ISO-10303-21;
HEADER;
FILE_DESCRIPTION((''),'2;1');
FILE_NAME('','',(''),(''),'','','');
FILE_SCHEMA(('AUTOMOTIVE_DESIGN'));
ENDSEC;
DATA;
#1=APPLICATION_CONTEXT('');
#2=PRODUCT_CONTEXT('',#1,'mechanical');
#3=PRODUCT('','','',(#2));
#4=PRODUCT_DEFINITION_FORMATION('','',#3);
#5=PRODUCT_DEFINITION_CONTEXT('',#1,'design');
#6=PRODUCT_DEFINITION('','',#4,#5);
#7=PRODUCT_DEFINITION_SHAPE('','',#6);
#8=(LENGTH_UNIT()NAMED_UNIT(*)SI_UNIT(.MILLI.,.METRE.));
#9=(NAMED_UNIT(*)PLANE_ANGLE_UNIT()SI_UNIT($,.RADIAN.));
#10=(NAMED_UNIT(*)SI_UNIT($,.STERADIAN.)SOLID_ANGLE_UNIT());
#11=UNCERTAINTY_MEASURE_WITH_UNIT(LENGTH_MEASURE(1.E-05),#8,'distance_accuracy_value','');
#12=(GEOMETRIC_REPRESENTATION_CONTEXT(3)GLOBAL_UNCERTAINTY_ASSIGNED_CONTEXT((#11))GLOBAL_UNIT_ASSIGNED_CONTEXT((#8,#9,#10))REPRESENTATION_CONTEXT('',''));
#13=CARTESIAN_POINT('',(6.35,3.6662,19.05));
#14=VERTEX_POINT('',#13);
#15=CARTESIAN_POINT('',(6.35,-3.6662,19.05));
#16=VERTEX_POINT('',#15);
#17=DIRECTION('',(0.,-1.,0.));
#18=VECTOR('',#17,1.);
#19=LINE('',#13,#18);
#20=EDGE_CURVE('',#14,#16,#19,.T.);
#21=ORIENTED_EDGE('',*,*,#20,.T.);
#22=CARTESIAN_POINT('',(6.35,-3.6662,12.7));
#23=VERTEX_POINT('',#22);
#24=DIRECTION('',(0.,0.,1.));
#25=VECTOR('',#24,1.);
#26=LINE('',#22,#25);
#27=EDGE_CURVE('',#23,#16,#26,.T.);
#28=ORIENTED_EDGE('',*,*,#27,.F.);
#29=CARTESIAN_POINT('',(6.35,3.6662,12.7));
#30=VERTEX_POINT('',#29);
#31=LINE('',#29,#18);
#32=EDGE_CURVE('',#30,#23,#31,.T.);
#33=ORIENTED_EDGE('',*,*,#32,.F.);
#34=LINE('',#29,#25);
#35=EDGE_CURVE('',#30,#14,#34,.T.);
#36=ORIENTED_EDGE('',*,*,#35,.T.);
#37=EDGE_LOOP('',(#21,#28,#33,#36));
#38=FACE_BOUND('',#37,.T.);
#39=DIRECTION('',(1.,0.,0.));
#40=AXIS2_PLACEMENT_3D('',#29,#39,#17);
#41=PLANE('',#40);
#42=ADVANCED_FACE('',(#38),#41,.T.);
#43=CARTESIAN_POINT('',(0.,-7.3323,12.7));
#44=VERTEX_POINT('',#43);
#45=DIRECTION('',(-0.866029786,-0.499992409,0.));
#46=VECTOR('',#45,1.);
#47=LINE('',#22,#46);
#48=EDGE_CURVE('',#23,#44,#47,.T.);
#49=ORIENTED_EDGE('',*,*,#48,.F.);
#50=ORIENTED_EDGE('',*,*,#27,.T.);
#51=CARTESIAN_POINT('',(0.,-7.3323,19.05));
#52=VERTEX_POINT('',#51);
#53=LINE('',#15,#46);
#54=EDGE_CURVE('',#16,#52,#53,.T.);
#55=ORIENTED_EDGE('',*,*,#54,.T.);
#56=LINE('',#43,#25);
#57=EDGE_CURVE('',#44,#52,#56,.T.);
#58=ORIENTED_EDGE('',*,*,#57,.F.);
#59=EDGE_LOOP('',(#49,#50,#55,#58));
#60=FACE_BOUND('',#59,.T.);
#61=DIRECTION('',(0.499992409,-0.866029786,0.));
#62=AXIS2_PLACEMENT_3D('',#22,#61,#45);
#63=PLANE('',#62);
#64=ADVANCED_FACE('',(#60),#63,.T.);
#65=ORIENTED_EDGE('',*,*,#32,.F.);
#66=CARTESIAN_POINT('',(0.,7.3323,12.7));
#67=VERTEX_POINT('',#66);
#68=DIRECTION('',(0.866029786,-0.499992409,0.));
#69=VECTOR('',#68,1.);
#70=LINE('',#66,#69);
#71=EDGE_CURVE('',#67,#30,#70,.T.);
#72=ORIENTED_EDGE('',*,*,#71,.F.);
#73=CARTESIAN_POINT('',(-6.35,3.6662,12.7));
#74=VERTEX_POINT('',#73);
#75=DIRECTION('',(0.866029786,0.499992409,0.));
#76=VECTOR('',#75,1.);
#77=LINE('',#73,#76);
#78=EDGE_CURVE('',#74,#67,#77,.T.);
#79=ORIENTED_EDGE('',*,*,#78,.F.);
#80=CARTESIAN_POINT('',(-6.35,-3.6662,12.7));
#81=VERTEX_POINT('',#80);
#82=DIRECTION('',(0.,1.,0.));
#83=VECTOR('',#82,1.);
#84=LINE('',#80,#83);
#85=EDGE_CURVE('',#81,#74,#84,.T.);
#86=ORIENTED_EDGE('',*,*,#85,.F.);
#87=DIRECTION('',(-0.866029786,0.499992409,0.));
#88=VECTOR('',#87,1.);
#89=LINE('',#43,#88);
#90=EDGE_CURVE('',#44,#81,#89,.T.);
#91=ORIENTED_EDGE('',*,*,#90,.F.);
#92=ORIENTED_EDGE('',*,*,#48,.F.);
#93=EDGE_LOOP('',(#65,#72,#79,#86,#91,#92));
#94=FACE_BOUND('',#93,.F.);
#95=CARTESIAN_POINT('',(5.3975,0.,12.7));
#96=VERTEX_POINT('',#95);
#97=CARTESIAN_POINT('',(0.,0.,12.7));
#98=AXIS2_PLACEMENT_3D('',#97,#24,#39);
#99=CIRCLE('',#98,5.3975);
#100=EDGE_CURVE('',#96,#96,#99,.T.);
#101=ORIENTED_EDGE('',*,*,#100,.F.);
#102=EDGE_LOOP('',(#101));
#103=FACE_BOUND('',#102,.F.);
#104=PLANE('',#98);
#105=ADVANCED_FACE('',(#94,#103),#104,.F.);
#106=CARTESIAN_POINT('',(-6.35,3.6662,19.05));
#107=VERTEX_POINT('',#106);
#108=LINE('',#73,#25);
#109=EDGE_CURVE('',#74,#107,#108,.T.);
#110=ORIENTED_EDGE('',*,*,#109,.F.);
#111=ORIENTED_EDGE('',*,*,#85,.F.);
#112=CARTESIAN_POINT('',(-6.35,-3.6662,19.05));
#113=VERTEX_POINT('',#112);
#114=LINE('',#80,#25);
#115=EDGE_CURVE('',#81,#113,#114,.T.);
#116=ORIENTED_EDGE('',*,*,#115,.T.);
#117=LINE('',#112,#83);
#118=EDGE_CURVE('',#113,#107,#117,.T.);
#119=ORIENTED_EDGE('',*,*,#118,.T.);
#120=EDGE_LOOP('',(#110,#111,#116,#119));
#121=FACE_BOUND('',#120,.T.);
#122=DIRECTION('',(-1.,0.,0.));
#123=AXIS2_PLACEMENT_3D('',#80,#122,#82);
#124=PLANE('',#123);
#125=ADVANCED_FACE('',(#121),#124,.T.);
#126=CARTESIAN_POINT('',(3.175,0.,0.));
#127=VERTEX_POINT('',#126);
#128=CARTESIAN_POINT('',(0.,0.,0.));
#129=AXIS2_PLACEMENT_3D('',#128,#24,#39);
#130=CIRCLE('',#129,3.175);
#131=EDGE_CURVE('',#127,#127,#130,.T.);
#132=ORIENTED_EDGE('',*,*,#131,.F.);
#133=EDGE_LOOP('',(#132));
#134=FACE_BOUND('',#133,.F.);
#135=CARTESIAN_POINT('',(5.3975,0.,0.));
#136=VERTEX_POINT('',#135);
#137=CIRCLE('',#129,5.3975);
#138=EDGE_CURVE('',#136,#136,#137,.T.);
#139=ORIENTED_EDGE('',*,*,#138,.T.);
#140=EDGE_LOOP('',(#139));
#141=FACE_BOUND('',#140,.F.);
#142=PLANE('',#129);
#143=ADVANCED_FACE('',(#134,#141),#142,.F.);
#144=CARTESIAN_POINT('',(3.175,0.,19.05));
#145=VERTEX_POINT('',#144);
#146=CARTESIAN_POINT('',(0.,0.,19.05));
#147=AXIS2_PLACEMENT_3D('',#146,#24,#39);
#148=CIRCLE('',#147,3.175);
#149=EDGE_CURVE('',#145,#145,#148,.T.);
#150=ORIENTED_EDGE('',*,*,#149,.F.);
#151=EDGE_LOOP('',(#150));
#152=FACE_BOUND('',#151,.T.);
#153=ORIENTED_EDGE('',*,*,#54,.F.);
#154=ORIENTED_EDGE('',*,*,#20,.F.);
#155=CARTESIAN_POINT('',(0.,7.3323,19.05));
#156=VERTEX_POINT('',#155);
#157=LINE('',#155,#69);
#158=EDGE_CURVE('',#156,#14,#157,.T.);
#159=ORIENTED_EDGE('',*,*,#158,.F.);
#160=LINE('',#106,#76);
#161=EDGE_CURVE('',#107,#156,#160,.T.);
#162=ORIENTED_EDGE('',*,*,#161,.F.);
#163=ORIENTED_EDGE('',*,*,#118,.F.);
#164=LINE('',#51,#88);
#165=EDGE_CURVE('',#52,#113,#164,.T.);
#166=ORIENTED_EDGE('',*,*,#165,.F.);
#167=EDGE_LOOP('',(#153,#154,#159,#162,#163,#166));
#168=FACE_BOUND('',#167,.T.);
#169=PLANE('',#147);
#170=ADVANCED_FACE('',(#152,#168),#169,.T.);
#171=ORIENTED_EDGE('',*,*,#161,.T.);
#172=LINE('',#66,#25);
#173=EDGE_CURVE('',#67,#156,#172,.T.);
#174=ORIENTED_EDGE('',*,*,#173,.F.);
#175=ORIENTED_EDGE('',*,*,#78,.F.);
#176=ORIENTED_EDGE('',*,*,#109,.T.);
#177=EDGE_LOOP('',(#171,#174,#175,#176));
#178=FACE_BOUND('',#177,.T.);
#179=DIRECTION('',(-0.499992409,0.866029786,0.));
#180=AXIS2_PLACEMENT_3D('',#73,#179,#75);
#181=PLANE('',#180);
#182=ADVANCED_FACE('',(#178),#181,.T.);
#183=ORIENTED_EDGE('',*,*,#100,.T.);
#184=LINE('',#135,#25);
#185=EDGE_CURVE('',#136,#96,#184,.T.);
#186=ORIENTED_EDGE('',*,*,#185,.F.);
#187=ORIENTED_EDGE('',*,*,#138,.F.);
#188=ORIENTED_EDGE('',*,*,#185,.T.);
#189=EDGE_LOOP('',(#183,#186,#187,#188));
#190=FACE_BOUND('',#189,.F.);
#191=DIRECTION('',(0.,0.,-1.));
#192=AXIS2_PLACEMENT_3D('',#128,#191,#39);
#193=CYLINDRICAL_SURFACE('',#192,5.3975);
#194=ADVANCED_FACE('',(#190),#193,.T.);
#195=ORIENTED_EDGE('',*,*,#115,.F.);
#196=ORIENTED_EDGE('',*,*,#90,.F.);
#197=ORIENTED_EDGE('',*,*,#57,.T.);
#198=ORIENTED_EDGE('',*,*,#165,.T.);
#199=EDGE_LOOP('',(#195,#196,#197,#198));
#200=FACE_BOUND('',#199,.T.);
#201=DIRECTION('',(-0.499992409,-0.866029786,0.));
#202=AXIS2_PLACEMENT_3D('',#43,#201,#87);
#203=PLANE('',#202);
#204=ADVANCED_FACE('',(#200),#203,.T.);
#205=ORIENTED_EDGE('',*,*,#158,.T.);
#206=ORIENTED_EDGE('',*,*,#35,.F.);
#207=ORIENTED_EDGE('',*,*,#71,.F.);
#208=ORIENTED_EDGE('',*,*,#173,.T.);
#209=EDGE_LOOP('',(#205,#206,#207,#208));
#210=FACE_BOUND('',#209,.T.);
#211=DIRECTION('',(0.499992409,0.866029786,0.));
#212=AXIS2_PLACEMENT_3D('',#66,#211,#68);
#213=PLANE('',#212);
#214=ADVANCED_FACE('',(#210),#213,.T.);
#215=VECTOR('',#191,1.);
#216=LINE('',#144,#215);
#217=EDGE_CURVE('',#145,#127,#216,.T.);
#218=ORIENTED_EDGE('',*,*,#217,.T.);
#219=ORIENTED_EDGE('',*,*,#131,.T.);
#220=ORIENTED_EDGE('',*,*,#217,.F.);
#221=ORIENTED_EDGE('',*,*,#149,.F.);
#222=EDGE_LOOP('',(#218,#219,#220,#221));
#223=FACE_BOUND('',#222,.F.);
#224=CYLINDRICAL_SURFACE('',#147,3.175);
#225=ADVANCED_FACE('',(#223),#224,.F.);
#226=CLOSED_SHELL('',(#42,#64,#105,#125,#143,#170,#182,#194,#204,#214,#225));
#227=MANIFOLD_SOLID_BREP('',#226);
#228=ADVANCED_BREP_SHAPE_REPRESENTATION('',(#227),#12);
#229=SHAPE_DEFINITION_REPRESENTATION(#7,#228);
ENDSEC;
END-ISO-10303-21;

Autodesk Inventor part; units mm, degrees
ref_plane "YZ Plane" through (0, 0, 0) normal (1, 0, 0) x (0, 1, 0)
ref_plane "XZ Plane" through (0, 0, 0) normal (0, 1, 0) x (-1, 0, 0)
ref_plane "XY Plane" through (0, 0, 0) normal (0, 0, 1) x (1, 0, 0)
sketch "Sketch1" plane through (0, 0, 0) normal (0, 0, 1) x (1, 0, 0)
  circle A0 centre (0, 0) radius 5.3975
  dimension "d0" = 10.795
extrude "Extrusion1" add sketch "Sketch1" along normal blind 12.7
thread "Thread1" size "7/16-14 UNC" class "2A" standard "ANSI Unified Screw Threads" full length
sketch "Sketch2" plane through (0, 0, 12.7) normal (0, 0, 1) x (1, 0, 0)
  circle A0 centre (0, 0) radius 5.3975 projected
  line L0 (0, 7.3323) -> (6.35, 3.6662)
  line L1 (6.35, 3.6662) -> (6.35, -3.6662)
  line L2 (6.35, -3.6662) -> (0, -7.3323)
  line L3 (0, -7.3323) -> (-6.35, -3.6662)
  line L4 (-6.35, -3.6662) -> (-6.35, 3.6662)
  line L5 (-6.35, 3.6662) -> (0, 7.3323)
  dimension "d5" = 12.7
  dimension "d6" = 0
extrude "Extrusion2" add sketch "Sketch2" along normal blind 6.35 contours A0 | L0 L1 L2 L3 L4 L5
sketch "Sketch5" plane through (0, 0, 19.05) normal (0, 0, 1) x (1, 0, 0)
  circle A0 centre (0, 0) radius 3.175
  dimension "d14" = 6.35
extrude "Extrusion5" cut sketch "Sketch5" against normal through all
properties part number "Pnematic Screw Part 1764"
